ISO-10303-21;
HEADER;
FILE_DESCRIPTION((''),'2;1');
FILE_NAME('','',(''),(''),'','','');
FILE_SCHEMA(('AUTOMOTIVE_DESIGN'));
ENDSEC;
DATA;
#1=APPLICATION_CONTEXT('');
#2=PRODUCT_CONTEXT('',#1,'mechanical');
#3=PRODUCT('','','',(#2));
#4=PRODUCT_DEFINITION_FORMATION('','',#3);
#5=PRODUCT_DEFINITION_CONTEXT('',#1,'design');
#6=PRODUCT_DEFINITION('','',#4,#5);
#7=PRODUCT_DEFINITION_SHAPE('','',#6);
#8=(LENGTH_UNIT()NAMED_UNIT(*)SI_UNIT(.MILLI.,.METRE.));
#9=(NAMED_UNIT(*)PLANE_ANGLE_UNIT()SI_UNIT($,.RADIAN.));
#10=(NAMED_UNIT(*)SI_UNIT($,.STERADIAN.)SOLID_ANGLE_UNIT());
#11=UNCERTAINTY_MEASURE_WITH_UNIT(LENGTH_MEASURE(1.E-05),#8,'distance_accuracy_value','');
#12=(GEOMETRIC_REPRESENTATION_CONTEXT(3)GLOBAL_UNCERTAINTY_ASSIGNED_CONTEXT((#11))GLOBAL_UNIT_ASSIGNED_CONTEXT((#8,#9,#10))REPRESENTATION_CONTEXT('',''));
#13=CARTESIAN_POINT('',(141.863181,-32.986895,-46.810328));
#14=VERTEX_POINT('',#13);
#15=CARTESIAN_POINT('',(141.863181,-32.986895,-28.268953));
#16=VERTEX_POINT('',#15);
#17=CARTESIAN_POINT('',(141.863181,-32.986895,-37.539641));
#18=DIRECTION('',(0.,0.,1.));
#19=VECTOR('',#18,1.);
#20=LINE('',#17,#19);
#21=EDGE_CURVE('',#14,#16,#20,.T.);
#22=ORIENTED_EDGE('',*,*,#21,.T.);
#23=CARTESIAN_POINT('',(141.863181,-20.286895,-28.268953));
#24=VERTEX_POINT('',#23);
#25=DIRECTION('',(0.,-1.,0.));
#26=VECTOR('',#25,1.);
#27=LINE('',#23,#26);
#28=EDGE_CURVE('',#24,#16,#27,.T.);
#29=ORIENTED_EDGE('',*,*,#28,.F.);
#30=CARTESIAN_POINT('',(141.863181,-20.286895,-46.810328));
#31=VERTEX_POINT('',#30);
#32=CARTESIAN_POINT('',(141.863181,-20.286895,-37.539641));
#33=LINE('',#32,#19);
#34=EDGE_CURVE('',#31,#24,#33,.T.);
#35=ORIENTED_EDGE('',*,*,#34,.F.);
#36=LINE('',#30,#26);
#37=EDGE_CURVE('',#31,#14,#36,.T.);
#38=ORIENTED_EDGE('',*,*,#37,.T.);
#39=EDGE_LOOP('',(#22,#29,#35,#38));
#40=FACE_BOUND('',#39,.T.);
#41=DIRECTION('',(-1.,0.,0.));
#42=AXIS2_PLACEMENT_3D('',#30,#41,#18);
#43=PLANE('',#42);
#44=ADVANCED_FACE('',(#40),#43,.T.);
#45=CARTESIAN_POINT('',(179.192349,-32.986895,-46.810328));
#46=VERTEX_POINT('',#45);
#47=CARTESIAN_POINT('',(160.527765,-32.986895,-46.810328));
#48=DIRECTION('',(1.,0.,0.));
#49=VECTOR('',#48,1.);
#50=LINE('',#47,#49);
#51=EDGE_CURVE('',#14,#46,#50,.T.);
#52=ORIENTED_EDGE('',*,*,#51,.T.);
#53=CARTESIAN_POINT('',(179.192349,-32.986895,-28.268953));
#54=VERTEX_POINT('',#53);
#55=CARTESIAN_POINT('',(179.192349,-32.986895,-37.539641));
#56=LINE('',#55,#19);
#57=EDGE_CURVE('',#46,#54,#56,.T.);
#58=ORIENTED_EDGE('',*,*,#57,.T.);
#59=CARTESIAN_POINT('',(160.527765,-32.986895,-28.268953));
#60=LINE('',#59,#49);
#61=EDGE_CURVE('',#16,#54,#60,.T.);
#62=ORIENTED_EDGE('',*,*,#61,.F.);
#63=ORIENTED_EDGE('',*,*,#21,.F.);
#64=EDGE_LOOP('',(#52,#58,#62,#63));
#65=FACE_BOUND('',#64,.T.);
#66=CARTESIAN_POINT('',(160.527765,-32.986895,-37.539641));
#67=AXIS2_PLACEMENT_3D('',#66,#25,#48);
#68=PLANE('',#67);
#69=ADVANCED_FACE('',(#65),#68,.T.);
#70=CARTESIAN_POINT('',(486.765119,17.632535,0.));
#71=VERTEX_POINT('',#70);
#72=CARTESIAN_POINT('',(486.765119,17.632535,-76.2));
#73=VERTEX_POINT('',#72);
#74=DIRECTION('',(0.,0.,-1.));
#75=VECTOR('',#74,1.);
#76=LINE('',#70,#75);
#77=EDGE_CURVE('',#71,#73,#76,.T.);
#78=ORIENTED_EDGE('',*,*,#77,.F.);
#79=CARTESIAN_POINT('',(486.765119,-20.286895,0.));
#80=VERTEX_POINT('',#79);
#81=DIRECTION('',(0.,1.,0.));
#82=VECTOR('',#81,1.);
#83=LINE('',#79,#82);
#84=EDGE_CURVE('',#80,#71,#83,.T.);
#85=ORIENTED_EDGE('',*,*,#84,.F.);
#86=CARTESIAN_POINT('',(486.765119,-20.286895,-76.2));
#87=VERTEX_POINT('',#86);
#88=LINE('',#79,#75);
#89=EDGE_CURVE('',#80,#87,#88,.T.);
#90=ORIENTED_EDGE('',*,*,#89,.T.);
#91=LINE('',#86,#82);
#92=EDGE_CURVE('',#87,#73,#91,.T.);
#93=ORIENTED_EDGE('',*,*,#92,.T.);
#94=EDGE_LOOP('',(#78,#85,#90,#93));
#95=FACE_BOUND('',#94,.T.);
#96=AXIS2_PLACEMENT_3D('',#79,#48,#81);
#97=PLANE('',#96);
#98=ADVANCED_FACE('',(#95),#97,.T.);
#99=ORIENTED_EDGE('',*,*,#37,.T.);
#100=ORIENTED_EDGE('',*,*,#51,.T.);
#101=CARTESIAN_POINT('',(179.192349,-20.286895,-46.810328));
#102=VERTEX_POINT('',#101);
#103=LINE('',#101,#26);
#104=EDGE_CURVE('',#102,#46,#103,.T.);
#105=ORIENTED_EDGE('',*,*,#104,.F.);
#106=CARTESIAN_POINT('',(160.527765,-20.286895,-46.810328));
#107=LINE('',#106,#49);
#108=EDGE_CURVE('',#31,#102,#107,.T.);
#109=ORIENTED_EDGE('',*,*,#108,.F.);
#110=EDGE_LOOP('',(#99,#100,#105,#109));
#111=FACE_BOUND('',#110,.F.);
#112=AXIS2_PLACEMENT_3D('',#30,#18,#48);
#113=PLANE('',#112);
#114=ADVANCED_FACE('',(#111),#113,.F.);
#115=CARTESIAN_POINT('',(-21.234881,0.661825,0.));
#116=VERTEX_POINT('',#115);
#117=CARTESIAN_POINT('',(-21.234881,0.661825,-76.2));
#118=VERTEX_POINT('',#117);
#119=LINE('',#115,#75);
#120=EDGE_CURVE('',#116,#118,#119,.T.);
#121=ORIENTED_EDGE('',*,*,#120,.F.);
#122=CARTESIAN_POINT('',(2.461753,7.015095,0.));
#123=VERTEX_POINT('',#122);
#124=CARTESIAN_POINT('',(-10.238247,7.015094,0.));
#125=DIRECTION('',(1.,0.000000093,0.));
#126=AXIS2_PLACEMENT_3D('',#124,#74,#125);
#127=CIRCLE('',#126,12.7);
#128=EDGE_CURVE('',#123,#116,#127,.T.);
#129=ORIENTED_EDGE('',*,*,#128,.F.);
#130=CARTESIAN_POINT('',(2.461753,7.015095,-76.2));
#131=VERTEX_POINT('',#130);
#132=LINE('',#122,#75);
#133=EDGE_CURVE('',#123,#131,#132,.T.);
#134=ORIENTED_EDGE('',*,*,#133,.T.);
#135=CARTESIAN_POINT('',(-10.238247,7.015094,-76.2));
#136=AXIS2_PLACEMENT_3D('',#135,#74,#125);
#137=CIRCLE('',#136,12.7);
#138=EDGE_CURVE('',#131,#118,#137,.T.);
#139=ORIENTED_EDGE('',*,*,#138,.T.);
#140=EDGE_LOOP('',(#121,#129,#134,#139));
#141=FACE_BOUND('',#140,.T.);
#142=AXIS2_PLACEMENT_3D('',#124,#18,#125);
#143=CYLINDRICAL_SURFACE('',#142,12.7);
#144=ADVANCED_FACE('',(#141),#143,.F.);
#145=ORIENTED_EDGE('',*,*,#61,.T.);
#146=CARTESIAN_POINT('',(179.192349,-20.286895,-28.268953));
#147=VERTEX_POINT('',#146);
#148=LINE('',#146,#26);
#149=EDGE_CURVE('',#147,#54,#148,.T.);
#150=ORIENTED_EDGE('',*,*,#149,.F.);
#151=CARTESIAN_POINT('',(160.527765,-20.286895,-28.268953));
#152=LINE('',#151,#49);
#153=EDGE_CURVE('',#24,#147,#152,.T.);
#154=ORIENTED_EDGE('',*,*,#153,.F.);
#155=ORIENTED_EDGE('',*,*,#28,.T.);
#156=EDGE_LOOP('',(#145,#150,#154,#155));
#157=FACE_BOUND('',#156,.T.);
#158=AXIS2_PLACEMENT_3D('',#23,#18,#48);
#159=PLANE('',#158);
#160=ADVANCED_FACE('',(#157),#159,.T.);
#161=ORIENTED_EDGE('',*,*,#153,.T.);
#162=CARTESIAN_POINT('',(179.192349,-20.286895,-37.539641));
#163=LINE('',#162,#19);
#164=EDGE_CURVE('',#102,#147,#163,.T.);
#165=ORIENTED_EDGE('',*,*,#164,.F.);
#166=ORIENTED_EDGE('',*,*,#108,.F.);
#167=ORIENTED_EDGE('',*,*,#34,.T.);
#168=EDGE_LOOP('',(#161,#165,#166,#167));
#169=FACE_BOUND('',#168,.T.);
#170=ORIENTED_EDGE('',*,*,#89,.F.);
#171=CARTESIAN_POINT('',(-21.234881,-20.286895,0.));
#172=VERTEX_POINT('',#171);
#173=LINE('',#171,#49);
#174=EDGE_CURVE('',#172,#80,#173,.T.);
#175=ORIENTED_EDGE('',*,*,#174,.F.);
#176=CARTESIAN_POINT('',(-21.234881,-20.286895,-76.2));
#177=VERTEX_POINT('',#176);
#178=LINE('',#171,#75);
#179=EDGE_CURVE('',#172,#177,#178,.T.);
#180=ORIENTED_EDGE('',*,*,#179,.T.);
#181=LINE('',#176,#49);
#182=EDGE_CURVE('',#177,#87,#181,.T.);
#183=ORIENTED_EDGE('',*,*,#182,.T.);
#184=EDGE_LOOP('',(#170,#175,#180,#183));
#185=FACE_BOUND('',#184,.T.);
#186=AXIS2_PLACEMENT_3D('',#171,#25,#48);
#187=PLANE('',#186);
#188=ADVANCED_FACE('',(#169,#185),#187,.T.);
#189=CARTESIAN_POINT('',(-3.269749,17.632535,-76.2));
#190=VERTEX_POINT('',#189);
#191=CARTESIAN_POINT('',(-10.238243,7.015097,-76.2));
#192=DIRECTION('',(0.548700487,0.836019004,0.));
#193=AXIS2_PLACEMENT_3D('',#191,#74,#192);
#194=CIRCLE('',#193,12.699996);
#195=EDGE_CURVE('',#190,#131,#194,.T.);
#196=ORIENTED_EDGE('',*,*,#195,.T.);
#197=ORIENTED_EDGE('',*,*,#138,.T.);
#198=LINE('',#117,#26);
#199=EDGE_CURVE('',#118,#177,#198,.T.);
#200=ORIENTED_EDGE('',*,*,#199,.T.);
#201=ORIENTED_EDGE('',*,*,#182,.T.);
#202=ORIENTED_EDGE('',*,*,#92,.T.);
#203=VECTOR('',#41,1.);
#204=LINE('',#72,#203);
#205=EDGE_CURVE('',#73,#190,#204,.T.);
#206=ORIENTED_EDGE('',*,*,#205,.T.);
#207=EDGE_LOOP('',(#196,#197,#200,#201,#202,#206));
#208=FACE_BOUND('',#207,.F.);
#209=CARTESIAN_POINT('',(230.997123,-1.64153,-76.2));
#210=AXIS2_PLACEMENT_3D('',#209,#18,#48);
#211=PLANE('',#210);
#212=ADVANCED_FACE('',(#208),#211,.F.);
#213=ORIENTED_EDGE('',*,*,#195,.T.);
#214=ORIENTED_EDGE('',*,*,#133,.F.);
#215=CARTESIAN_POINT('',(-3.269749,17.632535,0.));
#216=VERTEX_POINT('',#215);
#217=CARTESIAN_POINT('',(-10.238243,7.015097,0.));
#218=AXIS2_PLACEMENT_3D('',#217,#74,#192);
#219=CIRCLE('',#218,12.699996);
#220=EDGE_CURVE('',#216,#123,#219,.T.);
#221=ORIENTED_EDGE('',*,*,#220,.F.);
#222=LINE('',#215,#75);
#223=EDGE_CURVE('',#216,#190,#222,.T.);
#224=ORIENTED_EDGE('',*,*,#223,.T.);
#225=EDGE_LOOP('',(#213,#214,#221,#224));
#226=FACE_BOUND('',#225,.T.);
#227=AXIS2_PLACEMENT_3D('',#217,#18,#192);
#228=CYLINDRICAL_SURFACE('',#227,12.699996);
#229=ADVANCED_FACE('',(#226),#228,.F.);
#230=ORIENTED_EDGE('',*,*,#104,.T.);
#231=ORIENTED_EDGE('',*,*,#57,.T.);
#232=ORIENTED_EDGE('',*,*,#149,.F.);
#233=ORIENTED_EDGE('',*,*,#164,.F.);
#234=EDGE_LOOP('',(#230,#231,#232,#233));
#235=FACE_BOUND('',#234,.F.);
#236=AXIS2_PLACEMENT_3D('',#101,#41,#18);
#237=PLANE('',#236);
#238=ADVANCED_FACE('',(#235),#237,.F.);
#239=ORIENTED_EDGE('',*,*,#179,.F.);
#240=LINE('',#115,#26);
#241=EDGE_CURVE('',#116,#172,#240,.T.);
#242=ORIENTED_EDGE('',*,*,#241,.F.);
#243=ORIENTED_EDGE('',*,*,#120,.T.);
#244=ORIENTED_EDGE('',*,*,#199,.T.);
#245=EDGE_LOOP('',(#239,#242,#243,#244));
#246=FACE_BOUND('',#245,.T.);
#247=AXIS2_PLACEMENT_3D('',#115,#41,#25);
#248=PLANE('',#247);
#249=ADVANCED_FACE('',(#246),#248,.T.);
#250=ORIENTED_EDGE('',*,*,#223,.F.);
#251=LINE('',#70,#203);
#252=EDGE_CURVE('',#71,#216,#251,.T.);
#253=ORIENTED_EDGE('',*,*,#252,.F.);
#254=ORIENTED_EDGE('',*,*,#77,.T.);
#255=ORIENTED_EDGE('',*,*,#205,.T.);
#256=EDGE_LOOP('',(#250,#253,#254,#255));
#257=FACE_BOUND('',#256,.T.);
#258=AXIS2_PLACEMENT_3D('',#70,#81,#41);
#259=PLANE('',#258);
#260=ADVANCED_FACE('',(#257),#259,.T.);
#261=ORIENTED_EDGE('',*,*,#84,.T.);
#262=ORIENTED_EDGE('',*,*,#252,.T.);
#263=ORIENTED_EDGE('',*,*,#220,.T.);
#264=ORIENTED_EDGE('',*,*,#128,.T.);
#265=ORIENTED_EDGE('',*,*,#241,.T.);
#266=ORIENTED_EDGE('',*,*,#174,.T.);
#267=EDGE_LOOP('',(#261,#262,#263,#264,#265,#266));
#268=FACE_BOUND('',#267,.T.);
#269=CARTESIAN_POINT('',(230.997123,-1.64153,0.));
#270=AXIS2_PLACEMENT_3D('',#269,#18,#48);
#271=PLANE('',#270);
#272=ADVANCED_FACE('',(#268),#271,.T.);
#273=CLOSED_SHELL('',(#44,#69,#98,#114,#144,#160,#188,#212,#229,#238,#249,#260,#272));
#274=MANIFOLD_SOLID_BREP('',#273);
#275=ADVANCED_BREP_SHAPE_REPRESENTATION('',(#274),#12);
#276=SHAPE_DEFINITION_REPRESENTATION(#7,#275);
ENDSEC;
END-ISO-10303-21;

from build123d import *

# Parameters (mm, degrees)
F1_DEPTH = 76.2
F2_W     = 37.329167
F2_H     = 18.541375
F3_DEPTH = 12.7


with BuildPart() as f1:
    # F0 (on Top) → F1 (new body)
    with BuildSketch(Plane.XY):
        with BuildLine():
            Line((486.765119, 17.632535), (-3.269749, 17.632535))
            ThreePointArc((-3.269749, 17.632535), (0.937395, 13.047925), (2.461753, 7.015095))
            ThreePointArc((2.461753, 7.015095), (-6.949421, -5.251675), (-21.234881, 0.661825))
            Line((-21.234881, 0.661825), (-21.234881, -20.286895))
            Line((-21.234881, -20.286895), (486.765119, -20.286895))
            Line((486.765119, -20.286895), (486.765119, 17.632535))
        make_face()
    extrude(amount=-F1_DEPTH)

    # F2 (on face) → F3 (join)
    with BuildSketch(Plane.XZ.offset(20.286895)):
        with Locations((160.527765, -37.539641)):
            Rectangle(F2_W, F2_H)
    extrude(amount=F3_DEPTH)


solid = f1.part
